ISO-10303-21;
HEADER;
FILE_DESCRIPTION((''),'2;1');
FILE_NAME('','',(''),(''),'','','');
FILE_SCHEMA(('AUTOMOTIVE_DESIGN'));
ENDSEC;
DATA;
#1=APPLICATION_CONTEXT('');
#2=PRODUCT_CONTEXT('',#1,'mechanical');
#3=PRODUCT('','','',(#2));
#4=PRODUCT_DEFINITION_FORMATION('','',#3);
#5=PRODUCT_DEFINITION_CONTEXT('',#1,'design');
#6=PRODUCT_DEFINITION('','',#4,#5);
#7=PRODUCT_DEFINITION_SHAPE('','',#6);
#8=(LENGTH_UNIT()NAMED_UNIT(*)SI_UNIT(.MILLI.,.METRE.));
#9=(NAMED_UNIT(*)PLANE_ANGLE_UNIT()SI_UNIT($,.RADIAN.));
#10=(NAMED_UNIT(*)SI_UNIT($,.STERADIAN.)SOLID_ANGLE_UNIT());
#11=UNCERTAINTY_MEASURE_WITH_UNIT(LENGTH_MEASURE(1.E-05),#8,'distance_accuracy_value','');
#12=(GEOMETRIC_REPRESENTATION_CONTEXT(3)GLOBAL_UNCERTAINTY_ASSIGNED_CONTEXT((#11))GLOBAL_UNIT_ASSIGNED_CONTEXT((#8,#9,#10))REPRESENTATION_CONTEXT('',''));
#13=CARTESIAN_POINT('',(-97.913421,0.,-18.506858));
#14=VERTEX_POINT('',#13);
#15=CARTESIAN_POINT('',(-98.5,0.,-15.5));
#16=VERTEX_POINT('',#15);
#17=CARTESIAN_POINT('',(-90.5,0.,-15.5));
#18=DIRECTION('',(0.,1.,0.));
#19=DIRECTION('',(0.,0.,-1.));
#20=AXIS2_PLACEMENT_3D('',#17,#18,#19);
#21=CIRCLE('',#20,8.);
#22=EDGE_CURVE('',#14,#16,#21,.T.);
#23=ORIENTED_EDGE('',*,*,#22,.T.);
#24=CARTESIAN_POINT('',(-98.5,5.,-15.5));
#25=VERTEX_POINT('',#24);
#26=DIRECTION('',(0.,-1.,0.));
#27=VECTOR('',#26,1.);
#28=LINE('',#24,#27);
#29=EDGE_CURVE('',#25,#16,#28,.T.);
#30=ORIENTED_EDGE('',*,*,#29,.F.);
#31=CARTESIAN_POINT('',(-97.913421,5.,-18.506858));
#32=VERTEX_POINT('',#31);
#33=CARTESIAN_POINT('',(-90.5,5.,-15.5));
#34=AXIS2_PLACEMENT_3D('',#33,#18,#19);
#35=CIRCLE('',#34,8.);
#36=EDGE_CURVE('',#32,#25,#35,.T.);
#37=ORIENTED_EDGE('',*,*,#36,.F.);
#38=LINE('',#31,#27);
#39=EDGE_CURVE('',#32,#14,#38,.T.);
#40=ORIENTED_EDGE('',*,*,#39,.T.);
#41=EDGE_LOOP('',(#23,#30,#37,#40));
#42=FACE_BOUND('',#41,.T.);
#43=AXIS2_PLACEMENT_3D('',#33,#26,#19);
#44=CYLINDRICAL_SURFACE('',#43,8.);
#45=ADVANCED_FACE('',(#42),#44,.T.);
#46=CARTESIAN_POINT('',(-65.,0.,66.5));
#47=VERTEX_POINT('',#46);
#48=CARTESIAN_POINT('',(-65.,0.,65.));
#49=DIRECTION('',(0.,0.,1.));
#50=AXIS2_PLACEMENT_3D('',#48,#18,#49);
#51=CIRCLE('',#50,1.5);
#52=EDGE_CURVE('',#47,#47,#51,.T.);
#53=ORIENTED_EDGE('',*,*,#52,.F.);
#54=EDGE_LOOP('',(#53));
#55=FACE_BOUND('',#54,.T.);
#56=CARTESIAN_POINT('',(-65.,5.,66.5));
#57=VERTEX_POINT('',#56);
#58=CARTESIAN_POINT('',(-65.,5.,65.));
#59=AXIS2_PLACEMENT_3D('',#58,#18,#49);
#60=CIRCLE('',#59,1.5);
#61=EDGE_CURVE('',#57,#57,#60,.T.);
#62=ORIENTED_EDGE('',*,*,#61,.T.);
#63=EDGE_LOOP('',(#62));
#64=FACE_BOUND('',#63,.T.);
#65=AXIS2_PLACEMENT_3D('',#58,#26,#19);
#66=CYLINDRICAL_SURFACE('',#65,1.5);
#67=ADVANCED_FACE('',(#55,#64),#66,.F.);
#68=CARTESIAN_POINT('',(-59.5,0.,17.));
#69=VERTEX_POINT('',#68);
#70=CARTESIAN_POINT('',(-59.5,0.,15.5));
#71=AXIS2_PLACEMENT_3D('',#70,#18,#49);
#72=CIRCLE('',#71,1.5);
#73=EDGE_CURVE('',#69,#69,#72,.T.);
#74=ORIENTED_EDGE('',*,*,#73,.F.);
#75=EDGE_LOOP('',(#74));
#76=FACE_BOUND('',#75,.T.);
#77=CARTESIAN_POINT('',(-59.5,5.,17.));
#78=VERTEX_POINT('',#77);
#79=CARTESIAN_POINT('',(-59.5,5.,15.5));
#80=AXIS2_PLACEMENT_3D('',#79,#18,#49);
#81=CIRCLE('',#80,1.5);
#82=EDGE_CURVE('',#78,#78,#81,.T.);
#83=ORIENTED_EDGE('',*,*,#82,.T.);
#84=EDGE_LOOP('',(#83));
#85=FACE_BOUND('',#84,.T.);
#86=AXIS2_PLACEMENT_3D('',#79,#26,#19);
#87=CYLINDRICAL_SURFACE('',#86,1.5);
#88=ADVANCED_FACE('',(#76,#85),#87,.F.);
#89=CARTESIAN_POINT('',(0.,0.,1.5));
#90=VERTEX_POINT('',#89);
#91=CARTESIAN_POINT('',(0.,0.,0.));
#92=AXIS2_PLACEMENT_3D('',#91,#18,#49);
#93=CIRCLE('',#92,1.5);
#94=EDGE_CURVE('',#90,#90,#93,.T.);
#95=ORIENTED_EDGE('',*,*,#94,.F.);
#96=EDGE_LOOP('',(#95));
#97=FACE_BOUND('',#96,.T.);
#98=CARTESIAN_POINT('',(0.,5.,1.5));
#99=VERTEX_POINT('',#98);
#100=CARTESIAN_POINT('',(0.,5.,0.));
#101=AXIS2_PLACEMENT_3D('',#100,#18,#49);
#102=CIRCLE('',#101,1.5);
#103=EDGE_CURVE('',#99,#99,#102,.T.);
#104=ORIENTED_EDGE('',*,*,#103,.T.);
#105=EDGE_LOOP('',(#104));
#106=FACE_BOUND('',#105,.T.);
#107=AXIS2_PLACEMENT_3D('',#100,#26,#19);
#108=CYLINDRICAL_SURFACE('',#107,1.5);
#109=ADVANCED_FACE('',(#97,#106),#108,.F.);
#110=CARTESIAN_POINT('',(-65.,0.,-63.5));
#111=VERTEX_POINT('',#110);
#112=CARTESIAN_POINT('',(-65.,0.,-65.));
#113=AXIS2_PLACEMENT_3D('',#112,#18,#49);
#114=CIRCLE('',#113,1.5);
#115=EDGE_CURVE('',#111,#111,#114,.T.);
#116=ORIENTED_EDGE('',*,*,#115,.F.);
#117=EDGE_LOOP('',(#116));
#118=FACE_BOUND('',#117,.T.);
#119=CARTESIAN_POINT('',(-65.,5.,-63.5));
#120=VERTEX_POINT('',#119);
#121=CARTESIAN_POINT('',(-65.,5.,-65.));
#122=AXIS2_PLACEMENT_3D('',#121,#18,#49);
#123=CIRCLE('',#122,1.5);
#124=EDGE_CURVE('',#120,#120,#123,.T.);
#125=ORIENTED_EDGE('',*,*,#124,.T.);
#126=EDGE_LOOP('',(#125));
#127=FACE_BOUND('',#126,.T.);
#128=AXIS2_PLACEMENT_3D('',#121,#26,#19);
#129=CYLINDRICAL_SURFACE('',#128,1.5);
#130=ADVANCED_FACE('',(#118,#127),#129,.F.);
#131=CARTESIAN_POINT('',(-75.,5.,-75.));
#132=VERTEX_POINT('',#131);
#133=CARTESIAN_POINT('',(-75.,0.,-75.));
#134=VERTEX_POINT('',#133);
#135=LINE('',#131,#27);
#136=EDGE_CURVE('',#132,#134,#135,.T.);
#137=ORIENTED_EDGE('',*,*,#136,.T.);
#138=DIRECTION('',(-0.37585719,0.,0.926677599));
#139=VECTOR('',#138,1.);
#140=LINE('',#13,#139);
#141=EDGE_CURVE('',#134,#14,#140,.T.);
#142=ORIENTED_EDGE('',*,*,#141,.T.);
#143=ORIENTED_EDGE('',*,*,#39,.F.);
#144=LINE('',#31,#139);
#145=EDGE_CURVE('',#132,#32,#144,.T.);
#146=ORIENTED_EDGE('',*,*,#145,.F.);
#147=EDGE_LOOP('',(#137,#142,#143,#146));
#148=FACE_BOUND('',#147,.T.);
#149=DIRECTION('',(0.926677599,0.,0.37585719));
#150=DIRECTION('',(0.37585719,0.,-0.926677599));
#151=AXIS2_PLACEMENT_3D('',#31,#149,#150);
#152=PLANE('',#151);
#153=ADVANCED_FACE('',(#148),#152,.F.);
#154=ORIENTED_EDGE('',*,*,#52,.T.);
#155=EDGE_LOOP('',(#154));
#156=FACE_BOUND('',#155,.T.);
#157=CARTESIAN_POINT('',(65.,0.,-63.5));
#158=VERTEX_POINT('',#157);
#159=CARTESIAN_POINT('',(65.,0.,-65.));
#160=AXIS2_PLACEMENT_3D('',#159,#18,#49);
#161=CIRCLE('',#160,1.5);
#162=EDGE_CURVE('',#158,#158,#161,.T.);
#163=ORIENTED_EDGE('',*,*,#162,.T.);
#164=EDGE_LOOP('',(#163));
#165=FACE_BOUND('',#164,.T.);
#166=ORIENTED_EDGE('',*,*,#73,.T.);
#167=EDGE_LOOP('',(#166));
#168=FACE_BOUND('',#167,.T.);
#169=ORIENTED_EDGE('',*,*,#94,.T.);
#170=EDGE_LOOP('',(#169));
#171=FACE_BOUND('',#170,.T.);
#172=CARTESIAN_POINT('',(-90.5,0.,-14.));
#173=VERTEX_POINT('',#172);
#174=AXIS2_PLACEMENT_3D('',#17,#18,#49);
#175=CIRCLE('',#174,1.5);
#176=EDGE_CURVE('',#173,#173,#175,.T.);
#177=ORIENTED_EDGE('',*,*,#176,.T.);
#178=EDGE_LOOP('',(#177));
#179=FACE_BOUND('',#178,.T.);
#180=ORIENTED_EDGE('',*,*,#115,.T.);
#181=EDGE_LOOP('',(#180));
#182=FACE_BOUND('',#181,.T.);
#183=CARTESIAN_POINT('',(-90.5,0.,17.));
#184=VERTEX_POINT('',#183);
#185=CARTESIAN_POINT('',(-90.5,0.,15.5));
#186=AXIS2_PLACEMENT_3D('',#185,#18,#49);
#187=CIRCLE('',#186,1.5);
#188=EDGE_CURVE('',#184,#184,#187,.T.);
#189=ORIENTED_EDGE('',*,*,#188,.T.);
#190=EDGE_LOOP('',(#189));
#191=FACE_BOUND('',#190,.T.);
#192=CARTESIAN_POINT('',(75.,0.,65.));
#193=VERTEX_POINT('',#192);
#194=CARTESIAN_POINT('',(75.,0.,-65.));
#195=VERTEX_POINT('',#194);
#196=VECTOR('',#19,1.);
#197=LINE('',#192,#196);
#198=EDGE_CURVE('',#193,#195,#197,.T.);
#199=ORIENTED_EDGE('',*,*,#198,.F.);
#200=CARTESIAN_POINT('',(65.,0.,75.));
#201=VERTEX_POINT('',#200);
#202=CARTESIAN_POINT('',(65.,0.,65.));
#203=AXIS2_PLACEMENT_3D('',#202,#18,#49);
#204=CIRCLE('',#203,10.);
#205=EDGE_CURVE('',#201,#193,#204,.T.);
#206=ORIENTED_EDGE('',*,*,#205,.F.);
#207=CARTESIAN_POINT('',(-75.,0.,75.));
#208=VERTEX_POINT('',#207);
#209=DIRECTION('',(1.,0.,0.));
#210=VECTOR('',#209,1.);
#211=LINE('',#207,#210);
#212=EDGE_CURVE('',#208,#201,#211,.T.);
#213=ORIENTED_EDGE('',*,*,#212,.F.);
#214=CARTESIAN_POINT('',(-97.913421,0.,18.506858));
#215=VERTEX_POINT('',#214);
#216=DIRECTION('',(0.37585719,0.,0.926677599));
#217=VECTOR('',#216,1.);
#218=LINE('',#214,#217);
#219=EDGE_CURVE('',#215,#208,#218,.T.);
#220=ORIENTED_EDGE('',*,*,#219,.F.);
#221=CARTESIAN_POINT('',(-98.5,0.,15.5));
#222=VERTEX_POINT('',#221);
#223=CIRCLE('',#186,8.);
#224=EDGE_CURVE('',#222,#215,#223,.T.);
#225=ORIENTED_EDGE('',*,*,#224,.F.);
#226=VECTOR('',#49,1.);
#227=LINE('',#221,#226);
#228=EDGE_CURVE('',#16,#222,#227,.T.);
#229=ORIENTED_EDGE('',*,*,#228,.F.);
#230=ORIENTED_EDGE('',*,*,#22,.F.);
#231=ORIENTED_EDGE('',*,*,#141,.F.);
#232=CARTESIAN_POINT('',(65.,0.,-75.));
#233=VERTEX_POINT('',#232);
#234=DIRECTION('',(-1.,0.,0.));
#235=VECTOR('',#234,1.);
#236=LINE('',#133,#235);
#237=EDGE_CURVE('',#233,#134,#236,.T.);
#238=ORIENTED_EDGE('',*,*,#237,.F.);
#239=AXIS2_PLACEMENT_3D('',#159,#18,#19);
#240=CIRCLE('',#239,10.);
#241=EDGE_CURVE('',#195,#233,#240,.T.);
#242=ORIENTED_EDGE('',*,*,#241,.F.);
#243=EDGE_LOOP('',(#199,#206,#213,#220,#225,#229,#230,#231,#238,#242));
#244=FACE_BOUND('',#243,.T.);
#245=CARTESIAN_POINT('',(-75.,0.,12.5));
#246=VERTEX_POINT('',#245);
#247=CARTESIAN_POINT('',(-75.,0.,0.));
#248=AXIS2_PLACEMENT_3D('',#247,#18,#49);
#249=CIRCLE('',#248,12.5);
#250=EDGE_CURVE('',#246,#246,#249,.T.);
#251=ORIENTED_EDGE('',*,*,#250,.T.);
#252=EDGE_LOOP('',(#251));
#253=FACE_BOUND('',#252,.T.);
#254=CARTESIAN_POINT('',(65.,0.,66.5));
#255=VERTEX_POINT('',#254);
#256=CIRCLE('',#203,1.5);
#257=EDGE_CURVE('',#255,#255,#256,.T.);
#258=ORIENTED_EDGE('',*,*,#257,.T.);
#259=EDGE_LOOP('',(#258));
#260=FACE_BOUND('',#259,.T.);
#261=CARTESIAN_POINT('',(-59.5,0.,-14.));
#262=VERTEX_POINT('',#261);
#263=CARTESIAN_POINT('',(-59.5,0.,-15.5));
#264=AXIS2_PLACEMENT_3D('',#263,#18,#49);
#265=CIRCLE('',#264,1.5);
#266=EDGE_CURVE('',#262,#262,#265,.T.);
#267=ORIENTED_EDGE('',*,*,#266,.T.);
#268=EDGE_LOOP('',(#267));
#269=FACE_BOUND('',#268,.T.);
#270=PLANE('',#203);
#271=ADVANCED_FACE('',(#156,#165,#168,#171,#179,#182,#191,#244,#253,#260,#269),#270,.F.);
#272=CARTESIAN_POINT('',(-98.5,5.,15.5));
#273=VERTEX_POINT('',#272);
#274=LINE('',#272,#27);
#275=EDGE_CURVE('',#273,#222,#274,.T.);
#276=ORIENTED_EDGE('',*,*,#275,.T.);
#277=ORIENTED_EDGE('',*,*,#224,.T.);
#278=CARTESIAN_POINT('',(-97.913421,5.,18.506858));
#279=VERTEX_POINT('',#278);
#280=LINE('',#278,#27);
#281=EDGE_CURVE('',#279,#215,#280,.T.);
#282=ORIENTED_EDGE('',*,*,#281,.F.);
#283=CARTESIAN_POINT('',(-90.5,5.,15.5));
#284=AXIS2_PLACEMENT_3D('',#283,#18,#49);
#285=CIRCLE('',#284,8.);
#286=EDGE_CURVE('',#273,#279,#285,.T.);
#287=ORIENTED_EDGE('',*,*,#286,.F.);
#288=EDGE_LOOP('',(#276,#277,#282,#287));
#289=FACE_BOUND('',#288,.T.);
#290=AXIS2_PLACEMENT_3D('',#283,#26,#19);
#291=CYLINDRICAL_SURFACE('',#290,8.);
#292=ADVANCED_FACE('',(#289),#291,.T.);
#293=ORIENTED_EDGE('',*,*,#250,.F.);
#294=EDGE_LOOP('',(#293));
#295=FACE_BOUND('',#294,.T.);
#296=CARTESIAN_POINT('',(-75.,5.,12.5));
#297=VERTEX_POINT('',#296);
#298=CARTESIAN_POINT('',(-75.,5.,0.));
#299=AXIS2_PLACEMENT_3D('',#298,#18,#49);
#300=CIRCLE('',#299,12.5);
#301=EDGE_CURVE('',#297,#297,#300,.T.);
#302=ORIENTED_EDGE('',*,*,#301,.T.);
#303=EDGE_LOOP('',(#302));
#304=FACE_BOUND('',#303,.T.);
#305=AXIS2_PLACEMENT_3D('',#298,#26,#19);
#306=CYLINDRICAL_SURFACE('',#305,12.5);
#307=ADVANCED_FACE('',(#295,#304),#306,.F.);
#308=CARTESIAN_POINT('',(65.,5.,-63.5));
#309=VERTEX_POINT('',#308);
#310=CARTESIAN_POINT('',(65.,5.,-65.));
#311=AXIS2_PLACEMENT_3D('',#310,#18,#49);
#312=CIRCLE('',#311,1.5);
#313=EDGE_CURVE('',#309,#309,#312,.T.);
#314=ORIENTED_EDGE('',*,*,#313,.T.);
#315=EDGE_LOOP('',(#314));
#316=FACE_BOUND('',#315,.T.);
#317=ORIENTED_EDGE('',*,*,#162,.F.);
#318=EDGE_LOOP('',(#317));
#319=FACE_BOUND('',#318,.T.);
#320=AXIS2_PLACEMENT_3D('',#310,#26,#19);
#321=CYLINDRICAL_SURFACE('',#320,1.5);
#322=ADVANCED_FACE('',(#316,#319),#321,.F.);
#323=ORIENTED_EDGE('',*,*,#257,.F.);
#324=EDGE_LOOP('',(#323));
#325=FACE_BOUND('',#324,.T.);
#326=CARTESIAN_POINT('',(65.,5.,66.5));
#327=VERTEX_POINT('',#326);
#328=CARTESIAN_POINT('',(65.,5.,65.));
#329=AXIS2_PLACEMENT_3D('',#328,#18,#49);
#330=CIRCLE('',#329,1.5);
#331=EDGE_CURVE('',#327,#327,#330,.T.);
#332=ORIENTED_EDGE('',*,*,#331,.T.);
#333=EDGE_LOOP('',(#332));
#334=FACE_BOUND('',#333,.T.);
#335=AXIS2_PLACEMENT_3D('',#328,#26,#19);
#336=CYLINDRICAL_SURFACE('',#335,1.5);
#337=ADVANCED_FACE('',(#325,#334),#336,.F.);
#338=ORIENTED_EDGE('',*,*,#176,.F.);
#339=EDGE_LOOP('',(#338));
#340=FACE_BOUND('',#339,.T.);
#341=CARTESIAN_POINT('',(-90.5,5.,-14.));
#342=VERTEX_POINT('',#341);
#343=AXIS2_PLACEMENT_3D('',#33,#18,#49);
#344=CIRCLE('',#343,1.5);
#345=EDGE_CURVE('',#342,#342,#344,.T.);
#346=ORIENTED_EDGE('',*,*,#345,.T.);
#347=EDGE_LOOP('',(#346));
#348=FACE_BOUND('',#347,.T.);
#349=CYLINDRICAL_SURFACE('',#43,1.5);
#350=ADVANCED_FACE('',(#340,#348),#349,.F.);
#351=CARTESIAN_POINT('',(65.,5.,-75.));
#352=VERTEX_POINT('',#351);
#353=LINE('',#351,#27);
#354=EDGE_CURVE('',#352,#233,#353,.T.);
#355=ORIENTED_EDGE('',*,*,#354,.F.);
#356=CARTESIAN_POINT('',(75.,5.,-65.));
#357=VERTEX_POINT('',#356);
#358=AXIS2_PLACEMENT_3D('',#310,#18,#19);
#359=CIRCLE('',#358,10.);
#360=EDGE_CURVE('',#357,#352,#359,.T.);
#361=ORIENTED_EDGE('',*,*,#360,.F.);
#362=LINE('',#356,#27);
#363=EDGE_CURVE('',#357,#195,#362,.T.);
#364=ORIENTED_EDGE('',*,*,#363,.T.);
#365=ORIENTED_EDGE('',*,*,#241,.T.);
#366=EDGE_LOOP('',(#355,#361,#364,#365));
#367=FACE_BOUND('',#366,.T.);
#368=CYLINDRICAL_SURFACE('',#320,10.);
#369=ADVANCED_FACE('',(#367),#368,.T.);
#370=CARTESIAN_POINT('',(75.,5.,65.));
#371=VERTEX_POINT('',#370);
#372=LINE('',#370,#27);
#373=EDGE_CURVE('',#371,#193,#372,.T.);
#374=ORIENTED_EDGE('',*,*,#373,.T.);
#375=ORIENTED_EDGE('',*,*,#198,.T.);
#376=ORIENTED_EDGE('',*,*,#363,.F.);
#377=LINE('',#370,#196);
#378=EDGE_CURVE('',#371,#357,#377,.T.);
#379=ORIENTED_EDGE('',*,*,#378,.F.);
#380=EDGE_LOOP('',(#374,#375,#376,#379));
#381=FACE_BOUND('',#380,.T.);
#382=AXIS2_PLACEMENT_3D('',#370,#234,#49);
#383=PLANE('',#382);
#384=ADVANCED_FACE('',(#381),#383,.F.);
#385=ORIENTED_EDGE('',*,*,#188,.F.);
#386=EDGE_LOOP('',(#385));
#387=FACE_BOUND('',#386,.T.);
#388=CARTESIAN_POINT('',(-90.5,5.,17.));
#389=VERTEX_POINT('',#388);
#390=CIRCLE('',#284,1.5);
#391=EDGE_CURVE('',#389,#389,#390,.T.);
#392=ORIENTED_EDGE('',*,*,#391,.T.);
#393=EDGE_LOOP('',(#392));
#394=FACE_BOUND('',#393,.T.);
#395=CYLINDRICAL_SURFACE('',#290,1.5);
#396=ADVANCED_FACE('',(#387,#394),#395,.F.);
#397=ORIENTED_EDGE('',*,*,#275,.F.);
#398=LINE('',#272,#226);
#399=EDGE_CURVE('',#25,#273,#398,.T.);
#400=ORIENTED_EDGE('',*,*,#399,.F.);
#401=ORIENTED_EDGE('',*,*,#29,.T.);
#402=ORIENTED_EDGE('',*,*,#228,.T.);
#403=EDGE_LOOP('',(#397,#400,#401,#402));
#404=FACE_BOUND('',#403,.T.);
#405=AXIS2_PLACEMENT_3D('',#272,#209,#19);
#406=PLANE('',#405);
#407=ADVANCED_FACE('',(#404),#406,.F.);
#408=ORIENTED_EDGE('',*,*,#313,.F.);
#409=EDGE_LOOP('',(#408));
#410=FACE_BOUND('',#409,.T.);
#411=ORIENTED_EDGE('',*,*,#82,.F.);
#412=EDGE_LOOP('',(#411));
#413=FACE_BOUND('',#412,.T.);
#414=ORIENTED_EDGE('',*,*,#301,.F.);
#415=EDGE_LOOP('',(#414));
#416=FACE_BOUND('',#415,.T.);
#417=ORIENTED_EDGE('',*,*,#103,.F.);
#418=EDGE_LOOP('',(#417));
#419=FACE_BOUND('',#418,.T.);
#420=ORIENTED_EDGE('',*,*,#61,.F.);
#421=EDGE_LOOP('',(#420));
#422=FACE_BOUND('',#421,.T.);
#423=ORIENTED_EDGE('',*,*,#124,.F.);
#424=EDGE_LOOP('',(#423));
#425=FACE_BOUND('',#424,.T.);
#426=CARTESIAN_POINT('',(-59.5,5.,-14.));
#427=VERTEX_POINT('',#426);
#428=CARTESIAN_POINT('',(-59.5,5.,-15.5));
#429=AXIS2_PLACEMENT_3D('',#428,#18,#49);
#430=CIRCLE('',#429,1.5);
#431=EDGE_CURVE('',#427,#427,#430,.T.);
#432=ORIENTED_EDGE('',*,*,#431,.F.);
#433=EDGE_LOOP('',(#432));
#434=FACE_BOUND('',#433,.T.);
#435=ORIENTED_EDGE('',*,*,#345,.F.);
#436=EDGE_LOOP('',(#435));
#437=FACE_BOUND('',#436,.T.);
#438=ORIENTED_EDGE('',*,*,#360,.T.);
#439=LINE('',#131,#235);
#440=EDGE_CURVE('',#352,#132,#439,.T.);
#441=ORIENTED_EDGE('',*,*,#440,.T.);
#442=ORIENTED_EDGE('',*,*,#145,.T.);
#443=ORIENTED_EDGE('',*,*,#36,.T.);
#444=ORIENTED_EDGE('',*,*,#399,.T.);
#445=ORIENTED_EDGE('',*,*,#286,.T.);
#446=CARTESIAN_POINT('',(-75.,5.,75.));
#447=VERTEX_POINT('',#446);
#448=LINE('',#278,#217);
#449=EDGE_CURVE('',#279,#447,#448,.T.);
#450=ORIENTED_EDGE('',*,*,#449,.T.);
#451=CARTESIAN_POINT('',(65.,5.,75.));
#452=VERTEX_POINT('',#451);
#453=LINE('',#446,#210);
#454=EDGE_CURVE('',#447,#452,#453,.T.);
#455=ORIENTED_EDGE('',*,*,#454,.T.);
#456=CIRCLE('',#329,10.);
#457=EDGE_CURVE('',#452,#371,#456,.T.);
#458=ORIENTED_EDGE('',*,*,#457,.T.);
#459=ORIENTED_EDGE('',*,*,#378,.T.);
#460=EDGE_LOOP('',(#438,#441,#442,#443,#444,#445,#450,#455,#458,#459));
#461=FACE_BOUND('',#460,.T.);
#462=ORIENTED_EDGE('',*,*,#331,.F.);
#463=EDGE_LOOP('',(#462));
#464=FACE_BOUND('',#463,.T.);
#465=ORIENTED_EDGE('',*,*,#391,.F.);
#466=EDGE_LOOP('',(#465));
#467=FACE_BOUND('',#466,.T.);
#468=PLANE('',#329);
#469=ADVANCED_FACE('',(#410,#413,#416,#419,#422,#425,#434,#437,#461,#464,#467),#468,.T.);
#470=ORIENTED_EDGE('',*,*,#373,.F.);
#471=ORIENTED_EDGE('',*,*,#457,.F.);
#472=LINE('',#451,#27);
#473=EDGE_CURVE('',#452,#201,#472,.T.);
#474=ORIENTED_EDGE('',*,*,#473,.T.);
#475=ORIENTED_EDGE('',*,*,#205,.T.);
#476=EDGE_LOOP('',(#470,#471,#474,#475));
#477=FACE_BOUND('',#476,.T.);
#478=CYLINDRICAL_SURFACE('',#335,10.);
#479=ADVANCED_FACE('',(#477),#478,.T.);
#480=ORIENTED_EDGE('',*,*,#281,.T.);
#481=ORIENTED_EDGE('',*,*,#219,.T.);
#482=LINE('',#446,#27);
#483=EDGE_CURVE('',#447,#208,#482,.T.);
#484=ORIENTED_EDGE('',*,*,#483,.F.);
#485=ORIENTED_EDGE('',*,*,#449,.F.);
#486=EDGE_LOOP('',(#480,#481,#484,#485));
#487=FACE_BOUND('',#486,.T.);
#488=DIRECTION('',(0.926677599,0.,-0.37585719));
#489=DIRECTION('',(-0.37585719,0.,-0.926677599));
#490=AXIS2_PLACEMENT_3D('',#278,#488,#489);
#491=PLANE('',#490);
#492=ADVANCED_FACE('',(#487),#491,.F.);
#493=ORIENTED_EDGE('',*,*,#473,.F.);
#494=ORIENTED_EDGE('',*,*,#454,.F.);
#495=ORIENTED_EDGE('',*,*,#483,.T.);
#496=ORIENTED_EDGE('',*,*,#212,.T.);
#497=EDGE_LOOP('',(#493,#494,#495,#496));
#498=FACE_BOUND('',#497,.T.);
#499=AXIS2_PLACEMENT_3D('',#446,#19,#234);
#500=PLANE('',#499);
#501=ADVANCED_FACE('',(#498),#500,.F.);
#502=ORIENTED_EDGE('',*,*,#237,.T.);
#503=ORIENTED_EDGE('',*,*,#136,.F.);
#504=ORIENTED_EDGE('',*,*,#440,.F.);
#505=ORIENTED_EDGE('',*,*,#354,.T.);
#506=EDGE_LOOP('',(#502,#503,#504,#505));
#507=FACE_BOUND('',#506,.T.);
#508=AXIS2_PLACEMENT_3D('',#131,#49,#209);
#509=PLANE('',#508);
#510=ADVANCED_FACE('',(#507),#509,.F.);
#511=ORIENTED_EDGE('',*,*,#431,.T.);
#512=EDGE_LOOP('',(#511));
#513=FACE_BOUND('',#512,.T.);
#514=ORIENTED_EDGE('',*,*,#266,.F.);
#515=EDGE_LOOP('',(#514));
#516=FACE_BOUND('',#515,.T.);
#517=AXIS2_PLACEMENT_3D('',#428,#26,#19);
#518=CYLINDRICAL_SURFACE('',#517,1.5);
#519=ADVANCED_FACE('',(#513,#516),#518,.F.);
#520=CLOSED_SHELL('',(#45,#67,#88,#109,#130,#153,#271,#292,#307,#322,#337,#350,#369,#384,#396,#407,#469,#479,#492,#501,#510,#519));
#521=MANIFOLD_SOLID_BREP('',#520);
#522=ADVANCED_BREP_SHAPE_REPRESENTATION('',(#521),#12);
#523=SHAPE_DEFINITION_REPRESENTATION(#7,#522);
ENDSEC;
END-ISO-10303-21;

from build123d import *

# Parameters (mm, degrees)
SKETCH1_R           = 1.5
SKETCH1_R_2         = 12.5
BOSS_EXTRUDE1_DEPTH = 5


with BuildPart() as part:
    # Sketch1 → Boss-Extrude1 (new body)
    with BuildSketch(Plane(origin=(0, 0, 0), x_dir=(1, 0, 0), z_dir=(0, 1, 0))):
        with BuildLine():
            Line((-75, -75), (65, -75))
            ThreePointArc((65, -75), (72.071067812, -72.071067812), (75, -65))
            Line((75, -65), (75, 65))
            ThreePointArc((75, 65), (72.071067812, 72.071067812), (65, 75))
            Line((65, 75), (-75, 75))
            Line((-75, 75), (-97.913420794, 18.506857518))
            ThreePointArc((-97.913420794, 18.506857518), (-98.351985938, 17.031769181), (-98.5, 15.5))
            Line((-98.5, 15.5), (-98.5, -15.5))
            ThreePointArc((-98.5, -15.5), (-98.351985938, -17.031769181), (-97.913420794, -18.506857518))
            Line((-97.913420794, -18.506857518), (-75, -75))
        make_face()
        with Locations(Location((-90.5, 15.5, 0), (0, 0, 270))):
            Circle(SKETCH1_R, mode=Mode.SUBTRACT)
        with Locations(Location((-90.5, -15.5, 0), (0, 0, 270))):
            Circle(SKETCH1_R, mode=Mode.SUBTRACT)
        with Locations(Location((-59.5, -15.5, 0), (0, 0, 270))):
            Circle(SKETCH1_R, mode=Mode.SUBTRACT)
        with Locations(Location((-59.5, 15.5, 0), (0, 0, 270))):
            Circle(SKETCH1_R, mode=Mode.SUBTRACT)
        with Locations(Location((-75, 0, 0), (0, 0, 270))):
            Circle(SKETCH1_R_2, mode=Mode.SUBTRACT)
        with Locations(Location((-65, 65, 0), (0, 0, 270))):
            Circle(SKETCH1_R, mode=Mode.SUBTRACT)
        with Locations(Location((65, 65, 0), (0, 0, 270))):
            Circle(SKETCH1_R, mode=Mode.SUBTRACT)
        with Locations(Location((65, -65, 0), (0, 0, 270))):
            Circle(SKETCH1_R, mode=Mode.SUBTRACT)
        with Locations(Location((-65, -65, 0), (0, 0, 270))):
            Circle(SKETCH1_R, mode=Mode.SUBTRACT)
        with Locations(Location((0, 0, 0), (0, 0, 270))):
            Circle(SKETCH1_R, mode=Mode.SUBTRACT)
    extrude(amount=BOSS_EXTRUDE1_DEPTH)


solid = part.part
